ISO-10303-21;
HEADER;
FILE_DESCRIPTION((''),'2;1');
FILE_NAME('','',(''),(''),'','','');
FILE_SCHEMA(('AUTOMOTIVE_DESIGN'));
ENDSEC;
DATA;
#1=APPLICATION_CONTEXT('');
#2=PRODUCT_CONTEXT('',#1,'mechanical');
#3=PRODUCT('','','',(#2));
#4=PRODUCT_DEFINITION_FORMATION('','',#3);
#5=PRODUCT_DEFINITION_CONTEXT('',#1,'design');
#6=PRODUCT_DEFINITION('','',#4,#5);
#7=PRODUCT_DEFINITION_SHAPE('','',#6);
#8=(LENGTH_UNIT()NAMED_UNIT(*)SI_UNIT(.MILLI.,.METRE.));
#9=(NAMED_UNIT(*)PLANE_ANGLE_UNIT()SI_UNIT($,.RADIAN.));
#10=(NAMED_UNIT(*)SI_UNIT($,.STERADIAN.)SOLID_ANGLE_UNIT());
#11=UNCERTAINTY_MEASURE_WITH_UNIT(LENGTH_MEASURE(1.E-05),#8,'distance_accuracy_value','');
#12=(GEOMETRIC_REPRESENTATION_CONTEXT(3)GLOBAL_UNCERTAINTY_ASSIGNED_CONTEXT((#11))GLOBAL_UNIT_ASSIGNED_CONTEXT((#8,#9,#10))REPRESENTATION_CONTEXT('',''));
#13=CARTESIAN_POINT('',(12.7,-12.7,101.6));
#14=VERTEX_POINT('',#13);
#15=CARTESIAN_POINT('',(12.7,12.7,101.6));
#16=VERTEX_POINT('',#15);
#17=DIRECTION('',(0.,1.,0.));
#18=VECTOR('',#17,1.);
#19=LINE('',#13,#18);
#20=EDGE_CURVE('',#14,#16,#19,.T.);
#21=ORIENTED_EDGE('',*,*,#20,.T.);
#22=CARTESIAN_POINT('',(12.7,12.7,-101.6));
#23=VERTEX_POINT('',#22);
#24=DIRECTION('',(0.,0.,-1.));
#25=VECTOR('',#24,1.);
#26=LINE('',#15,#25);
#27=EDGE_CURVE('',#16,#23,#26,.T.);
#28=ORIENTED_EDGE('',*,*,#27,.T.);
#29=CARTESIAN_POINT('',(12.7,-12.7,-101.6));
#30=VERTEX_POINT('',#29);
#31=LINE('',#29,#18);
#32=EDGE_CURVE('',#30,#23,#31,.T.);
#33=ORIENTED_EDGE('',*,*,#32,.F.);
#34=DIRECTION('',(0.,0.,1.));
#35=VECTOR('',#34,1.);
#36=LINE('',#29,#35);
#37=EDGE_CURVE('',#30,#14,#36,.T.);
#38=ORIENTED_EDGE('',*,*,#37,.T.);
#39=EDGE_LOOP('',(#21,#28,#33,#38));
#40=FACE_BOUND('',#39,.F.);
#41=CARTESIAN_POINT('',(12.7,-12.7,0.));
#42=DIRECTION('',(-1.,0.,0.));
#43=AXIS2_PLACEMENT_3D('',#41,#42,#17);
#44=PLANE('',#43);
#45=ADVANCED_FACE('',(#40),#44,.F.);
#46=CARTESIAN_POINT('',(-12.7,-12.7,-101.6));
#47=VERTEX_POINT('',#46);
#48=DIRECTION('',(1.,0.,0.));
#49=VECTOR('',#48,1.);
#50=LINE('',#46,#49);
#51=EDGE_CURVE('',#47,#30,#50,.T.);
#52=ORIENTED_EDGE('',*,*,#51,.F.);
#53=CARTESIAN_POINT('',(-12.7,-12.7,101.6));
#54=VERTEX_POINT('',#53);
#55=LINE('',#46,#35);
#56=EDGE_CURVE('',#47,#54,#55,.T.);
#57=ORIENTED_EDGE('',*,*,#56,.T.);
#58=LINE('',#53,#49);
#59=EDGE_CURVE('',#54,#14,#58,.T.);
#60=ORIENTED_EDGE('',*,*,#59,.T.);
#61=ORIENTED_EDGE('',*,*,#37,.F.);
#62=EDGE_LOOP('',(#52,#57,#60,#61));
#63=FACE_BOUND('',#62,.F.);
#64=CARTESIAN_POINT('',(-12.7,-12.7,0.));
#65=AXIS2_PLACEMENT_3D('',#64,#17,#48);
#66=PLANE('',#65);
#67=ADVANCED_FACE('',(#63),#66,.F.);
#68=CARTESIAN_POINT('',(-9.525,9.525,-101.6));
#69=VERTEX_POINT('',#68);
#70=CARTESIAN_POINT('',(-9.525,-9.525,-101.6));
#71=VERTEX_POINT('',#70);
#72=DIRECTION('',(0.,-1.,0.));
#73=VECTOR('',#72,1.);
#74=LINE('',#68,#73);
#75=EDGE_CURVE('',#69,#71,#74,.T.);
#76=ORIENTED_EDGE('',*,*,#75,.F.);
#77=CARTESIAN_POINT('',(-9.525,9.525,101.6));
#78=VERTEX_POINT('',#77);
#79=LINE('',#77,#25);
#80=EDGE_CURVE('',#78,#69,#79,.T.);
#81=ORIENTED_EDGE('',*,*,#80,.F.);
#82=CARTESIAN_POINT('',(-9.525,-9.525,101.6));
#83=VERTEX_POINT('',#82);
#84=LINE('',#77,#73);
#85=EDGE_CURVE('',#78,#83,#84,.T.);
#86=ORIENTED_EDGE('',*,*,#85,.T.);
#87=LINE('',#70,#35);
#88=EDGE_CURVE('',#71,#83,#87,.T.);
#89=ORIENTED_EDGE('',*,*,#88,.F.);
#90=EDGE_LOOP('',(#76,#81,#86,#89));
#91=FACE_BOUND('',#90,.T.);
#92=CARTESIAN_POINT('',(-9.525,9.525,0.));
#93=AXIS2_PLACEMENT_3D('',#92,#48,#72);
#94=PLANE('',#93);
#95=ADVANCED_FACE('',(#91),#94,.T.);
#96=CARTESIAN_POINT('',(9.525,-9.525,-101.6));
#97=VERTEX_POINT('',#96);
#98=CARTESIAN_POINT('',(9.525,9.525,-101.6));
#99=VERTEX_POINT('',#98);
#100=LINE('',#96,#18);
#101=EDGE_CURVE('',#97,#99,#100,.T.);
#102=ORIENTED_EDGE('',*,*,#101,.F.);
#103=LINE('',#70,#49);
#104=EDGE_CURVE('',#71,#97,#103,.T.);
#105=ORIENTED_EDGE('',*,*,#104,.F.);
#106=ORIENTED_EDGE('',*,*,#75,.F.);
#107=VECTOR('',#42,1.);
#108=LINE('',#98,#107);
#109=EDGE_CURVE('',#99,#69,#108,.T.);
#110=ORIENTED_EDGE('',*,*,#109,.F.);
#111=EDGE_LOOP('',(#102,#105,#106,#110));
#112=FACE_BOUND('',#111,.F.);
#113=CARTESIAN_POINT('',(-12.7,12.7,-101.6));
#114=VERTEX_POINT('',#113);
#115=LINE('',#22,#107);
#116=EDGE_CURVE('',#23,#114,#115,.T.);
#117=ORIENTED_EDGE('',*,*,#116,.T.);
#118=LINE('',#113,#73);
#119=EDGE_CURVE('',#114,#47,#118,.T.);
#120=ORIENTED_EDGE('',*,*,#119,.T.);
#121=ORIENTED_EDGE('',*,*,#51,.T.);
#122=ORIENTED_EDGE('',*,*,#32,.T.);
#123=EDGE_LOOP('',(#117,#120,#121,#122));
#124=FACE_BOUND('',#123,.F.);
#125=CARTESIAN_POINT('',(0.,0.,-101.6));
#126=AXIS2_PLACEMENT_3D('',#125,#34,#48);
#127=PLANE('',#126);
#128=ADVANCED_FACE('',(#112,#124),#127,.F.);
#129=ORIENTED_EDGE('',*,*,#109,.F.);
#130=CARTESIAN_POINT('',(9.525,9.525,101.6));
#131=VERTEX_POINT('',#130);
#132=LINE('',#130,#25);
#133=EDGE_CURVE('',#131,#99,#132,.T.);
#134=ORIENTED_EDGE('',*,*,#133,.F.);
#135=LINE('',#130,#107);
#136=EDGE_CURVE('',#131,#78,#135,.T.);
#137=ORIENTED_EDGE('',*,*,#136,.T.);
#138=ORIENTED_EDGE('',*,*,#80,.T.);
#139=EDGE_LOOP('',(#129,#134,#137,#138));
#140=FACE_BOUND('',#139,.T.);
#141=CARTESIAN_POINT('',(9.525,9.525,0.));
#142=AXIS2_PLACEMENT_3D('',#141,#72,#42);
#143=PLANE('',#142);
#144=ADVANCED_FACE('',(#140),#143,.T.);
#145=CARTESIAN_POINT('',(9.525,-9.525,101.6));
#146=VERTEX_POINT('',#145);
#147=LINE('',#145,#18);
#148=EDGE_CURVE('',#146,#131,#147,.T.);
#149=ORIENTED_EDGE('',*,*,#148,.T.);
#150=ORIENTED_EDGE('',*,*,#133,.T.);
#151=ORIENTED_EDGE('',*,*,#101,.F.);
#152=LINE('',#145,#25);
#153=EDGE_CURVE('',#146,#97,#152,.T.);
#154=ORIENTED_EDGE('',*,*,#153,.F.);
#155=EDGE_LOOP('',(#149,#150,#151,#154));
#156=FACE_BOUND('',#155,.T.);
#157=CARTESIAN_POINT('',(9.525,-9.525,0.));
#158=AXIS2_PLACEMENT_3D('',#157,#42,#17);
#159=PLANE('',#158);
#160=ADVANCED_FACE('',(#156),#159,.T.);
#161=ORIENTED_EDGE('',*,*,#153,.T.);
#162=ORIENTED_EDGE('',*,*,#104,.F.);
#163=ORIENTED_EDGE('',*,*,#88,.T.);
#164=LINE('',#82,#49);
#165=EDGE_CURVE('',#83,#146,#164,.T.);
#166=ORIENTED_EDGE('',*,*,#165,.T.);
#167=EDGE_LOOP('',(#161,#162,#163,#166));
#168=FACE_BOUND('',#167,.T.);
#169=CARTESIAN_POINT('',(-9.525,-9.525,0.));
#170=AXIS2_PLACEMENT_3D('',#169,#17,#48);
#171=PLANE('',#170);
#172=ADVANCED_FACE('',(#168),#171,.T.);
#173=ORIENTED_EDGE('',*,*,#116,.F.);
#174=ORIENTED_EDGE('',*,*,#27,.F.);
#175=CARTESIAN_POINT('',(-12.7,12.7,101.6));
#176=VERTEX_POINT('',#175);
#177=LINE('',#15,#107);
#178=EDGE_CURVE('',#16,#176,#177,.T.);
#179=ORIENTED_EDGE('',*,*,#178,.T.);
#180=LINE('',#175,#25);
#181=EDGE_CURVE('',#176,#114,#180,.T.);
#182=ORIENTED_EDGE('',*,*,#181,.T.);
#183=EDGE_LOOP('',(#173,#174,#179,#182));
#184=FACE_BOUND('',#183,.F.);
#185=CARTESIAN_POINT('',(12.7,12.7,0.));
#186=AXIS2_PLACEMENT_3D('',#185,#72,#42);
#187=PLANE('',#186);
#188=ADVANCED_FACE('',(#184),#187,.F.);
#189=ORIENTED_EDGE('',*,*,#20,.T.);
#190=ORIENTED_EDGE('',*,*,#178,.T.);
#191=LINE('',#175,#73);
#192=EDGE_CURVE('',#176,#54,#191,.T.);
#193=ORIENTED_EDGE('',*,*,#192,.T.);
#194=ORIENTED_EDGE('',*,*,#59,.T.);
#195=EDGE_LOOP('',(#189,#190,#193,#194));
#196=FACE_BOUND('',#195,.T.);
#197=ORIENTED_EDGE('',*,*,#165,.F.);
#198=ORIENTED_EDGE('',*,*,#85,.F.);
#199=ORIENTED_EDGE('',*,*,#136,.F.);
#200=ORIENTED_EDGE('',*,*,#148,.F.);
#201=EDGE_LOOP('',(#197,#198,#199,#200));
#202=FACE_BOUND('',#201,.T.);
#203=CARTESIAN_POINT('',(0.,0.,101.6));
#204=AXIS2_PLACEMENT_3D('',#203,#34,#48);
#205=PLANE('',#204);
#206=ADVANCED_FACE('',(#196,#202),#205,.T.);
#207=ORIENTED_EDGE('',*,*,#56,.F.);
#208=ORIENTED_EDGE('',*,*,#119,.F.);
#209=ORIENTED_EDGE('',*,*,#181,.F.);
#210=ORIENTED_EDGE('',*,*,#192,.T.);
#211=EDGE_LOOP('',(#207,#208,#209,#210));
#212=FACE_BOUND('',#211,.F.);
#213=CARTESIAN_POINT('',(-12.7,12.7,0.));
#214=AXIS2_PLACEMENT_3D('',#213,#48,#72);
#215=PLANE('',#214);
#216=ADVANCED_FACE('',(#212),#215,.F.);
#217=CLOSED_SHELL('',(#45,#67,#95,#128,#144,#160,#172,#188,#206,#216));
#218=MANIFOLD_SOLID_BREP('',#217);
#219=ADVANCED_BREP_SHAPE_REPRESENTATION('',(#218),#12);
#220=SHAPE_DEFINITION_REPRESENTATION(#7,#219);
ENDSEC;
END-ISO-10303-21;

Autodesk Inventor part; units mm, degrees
ref_plane "YZ Plane" through (0, 0, 0) normal (1, 0, 0) x (0, 1, 0)
ref_plane "XZ Plane" through (0, 0, 0) normal (0, 1, 0) x (-1, 0, 0)
ref_plane "XY Plane" through (0, 0, 0) normal (0, 0, 1) x (1, 0, 0)
sketch "Sketch1" plane through (0, 0, 0) normal (0, 0, 1) x (1, 0, 0)
  line L0 (-12.7, -12.7) -> (12.7, -12.7)
  line L1 (12.7, -12.7) -> (12.7, 12.7)
  line L2 (12.7, 12.7) -> (-12.7, 12.7)
  line L3 (-12.7, 12.7) -> (-12.7, -12.7)
  line L4 (-12.7, -12.7) -> (12.7, 12.7) construction
  line L5 (12.7, -12.7) -> (-12.7, 12.7) construction
  line L6 (-9.525, -9.525) -> (9.525, -9.525)
  line L7 (9.525, -9.525) -> (9.525, 9.525)
  line L8 (9.525, 9.525) -> (-9.525, 9.525)
  line L9 (-9.525, 9.525) -> (-9.525, -9.525)
  line L10 (-9.525, -9.525) -> (9.525, 9.525) construction
  line L11 (9.525, -9.525) -> (-9.525, 9.525) construction
  point P0 (0, 0)
  dimension "d0" = 25.4
  dimension "d1" = 25.4
  dimension "d2" = 3.175
  dimension "d3" = 3.175
extrude "Extrusion1" add sketch "Sketch1" along normal mid plane 203.2
properties part number "8-inchAluminumTubing"
